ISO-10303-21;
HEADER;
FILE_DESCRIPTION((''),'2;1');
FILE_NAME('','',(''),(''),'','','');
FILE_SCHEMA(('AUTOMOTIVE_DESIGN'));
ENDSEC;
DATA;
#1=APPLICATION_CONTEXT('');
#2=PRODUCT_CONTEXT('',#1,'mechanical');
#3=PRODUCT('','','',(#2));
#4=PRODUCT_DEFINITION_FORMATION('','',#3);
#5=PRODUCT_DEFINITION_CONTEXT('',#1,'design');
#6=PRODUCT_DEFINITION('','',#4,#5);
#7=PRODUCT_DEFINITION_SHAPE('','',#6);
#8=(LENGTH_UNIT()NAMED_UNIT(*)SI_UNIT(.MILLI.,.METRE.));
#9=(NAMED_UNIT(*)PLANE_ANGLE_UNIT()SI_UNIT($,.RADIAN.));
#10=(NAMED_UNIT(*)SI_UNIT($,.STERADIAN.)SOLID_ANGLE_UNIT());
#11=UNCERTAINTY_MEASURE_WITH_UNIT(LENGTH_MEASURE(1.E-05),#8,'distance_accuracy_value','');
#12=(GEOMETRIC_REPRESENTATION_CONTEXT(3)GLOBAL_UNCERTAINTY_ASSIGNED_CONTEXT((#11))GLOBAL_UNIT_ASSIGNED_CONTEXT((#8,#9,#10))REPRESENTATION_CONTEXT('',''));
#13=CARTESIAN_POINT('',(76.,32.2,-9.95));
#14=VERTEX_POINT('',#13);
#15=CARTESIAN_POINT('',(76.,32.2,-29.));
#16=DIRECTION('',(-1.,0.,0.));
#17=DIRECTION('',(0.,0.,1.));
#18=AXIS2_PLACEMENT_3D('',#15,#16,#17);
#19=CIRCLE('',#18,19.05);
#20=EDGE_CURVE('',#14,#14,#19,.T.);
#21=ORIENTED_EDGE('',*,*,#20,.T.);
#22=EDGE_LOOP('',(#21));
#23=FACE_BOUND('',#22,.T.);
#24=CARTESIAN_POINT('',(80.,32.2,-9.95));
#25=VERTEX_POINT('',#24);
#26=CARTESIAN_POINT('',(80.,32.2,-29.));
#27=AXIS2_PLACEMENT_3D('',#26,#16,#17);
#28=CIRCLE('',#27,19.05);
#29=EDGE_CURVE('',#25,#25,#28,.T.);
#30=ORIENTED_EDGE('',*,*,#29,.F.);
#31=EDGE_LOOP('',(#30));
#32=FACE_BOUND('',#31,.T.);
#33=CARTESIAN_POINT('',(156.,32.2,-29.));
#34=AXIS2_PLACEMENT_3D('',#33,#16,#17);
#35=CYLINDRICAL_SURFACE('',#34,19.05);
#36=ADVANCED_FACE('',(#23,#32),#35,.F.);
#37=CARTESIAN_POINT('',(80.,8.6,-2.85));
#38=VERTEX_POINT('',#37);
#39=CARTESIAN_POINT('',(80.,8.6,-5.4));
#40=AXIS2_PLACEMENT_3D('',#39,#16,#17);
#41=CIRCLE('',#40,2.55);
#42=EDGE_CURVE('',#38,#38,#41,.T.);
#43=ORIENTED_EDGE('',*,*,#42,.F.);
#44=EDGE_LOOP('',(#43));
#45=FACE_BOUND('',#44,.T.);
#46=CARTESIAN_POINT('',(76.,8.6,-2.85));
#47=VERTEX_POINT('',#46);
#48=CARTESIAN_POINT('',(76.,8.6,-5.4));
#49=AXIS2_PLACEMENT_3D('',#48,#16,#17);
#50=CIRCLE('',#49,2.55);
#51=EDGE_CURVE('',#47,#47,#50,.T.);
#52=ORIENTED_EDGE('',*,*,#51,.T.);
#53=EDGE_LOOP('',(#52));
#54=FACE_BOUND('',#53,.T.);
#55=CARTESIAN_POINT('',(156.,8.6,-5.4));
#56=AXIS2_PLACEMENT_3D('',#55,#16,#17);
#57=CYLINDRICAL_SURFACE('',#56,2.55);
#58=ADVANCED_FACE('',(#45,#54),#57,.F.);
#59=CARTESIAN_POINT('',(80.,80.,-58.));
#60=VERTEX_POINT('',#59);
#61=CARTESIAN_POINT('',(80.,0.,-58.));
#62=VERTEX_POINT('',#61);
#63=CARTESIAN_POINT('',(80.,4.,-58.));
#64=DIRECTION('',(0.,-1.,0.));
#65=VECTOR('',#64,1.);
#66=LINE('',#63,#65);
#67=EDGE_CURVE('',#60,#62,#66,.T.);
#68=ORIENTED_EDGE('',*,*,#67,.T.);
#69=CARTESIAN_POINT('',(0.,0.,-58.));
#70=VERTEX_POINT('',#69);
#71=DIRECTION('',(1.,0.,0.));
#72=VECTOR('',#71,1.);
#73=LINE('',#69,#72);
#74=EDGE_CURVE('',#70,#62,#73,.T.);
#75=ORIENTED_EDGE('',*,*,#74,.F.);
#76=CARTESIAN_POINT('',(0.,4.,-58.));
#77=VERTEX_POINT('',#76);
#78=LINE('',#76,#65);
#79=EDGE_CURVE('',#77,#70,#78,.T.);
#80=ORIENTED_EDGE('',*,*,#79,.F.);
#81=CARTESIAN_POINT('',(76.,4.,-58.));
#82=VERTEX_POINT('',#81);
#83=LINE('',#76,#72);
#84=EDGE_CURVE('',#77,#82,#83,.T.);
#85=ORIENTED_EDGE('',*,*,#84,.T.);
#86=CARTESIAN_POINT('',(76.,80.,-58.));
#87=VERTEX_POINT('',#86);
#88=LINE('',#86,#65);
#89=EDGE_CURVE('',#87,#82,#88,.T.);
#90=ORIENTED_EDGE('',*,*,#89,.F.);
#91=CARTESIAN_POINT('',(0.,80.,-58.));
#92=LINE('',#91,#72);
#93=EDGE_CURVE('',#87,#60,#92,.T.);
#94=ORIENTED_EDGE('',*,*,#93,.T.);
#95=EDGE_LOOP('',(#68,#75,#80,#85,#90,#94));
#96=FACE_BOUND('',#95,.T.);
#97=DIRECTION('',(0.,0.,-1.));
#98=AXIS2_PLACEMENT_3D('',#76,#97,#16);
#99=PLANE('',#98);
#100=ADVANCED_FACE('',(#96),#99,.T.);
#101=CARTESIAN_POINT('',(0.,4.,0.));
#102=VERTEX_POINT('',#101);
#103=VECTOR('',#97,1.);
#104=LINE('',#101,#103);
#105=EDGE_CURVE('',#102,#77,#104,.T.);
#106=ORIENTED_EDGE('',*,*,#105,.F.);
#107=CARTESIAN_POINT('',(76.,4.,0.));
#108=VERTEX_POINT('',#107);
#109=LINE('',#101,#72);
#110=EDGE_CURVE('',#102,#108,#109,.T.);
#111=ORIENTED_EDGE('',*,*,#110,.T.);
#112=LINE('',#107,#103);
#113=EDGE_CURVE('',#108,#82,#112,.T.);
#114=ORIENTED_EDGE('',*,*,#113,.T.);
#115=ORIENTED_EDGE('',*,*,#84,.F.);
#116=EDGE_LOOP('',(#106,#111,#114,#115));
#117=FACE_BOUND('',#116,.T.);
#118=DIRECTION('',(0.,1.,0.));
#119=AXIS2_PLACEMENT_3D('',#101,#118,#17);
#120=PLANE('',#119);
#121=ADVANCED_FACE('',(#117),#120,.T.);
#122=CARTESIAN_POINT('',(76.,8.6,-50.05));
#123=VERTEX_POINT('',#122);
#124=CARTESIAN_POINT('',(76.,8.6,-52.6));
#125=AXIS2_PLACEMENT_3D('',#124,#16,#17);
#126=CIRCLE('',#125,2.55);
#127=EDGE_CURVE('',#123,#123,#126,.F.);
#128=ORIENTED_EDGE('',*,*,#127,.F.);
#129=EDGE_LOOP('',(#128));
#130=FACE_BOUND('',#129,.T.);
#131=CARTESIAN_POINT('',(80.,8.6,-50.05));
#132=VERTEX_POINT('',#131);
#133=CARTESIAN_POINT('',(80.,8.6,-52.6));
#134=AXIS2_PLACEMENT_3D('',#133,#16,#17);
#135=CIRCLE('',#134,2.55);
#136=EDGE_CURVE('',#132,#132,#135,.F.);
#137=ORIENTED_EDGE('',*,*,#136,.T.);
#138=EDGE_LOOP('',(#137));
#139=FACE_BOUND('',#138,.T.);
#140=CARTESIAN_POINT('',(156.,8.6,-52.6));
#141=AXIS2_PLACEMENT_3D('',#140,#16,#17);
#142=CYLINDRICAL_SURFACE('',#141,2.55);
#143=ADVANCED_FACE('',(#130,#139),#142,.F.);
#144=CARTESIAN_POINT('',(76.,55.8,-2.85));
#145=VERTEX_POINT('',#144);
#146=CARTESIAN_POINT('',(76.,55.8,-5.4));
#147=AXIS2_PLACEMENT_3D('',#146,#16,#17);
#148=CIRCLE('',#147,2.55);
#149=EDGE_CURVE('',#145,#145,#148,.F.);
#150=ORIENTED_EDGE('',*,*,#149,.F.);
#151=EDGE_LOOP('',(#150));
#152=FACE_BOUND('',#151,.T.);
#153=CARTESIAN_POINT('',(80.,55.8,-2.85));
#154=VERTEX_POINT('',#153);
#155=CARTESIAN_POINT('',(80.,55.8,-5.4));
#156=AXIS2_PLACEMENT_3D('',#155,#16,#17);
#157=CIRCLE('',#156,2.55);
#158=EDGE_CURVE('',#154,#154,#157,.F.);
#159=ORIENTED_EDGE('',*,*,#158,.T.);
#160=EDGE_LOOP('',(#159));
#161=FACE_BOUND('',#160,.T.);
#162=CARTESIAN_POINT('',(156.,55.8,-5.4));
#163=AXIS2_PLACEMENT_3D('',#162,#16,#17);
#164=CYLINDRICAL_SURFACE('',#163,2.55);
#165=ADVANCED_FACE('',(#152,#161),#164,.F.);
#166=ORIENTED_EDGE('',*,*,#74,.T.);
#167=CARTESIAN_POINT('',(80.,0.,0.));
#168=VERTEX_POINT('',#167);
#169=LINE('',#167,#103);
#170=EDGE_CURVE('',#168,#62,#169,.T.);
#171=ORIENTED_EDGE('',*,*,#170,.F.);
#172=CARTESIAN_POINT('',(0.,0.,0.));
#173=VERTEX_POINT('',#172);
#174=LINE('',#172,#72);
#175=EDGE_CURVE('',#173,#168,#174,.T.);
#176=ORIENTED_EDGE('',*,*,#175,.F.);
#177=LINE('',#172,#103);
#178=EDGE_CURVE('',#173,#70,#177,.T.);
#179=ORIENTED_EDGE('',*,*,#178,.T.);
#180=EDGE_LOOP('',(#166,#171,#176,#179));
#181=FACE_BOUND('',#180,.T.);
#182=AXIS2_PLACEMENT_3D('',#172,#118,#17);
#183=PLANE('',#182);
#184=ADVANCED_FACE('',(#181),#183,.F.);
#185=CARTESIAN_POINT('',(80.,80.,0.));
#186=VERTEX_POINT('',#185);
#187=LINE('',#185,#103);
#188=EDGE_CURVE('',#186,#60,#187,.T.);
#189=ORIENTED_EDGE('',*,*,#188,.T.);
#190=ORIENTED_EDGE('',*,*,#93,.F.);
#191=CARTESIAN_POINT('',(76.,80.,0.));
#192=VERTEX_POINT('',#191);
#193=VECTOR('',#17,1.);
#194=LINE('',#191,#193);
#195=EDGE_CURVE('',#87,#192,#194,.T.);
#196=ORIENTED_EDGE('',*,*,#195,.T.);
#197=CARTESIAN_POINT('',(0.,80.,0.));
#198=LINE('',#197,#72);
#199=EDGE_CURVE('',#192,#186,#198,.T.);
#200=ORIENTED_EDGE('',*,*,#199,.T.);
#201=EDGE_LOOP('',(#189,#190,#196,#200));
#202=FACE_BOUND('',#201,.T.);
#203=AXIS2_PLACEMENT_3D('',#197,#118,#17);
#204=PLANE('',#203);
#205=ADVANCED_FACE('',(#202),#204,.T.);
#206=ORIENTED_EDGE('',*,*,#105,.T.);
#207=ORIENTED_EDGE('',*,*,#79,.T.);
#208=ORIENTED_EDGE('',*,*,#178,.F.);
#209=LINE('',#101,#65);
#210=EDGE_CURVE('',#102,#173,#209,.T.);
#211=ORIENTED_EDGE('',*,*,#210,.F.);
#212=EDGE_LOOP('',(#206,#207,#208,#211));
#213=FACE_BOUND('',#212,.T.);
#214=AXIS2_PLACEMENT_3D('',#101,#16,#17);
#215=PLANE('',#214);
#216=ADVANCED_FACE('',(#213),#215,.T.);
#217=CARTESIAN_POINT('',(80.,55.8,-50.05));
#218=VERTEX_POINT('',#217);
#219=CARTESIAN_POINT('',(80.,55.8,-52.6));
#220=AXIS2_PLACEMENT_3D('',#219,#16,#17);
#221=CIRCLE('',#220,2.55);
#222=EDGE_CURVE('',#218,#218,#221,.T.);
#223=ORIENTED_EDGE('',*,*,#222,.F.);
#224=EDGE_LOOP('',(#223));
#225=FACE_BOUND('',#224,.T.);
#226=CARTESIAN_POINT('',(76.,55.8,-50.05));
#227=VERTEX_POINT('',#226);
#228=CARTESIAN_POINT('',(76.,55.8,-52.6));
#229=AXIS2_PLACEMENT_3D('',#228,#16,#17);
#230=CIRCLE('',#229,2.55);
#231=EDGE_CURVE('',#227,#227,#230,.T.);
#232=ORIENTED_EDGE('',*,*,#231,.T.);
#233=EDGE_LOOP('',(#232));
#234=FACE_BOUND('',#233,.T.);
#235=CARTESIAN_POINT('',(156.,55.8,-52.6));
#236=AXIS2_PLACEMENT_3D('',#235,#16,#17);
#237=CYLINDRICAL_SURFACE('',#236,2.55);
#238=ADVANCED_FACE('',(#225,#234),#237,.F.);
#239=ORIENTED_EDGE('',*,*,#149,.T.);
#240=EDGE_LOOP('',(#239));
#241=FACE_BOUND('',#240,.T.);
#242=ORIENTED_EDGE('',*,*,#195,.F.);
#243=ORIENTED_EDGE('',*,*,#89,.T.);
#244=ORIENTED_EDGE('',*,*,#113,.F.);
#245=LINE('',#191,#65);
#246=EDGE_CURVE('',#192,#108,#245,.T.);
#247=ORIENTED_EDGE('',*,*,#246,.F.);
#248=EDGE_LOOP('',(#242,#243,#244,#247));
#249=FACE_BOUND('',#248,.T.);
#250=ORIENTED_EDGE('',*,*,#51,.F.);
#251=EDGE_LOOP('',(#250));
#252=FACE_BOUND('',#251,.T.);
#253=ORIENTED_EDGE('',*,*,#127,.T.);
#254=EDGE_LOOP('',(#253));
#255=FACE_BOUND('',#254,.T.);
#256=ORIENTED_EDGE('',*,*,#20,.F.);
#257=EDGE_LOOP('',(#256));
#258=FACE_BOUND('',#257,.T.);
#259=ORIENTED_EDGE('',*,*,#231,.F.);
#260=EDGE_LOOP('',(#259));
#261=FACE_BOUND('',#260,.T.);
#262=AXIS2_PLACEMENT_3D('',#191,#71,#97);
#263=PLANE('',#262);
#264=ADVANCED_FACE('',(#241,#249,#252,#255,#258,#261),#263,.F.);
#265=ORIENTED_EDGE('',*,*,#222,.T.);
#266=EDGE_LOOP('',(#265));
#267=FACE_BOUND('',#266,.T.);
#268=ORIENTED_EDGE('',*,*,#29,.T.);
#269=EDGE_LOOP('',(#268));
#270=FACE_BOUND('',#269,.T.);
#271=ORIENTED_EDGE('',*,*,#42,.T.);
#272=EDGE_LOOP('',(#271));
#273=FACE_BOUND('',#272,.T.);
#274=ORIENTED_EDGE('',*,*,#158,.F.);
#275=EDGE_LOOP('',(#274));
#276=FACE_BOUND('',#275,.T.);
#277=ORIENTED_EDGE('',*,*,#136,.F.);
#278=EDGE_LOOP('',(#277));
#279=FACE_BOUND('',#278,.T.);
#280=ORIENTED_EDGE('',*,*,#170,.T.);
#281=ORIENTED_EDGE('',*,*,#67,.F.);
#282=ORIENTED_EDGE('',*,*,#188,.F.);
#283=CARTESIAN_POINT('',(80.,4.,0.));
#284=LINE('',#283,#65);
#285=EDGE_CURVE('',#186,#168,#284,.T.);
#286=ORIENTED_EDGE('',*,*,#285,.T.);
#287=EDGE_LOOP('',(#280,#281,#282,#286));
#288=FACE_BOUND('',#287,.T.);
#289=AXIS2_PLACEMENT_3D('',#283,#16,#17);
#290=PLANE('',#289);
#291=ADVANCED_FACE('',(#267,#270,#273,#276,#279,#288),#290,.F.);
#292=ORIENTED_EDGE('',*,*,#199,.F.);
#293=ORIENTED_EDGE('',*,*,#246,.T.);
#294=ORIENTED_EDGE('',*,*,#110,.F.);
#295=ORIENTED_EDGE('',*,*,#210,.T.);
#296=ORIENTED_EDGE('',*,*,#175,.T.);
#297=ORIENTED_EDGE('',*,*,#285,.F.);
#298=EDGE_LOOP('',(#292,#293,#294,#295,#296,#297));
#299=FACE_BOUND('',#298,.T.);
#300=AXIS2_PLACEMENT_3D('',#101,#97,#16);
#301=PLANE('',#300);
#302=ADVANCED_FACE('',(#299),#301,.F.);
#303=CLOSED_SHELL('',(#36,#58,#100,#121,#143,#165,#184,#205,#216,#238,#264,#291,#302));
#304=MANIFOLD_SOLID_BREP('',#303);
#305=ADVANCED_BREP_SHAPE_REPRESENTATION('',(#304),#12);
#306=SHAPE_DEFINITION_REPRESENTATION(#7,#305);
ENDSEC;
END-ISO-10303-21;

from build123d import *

# Parameters (mm, degrees)
SKETCH1_W           = 80
SKETCH1_H           = 58
BOSS_EXTRUDE1_DEPTH = 4
SKETCH1_3_W         = 4
SKETCH1_3_H         = 58
BOSS_EXTRUDE2_DEPTH = 80
SKETCH3_R           = 2.55
SKETCH3_R_2         = 19.05
CUT_EXTRUDE1_DEPTH  = 80


with BuildPart() as part:
    # Sketch1 → Boss-Extrude1 (new body)
    with BuildSketch(Plane(origin=(0, 0, 0), x_dir=(1, 0, 0), z_dir=(0, 1, 0))):
        with Locations((40, 29)):
            Rectangle(SKETCH1_W, SKETCH1_H)
    extrude(amount=BOSS_EXTRUDE1_DEPTH)

    # Sketch1<3> → Boss-Extrude2 (add)
    with BuildSketch(Plane(origin=(0, 0, 0), x_dir=(1, 0, 0), z_dir=(0, 1, 0))):
        with Locations((78, 29)):
            Rectangle(SKETCH1_3_W, SKETCH1_3_H)
    extrude(amount=BOSS_EXTRUDE2_DEPTH)

    # Sketch3 → Cut-Extrude1 (cut)
    with BuildSketch(Plane.ZY.offset(-76)):
        with Locations((-52.6, 55.8)):
            Circle(SKETCH3_R)
        with Locations((-5.4, 55.8)):
            Circle(SKETCH3_R)
        with Locations((-52.6, 8.6)):
            Circle(SKETCH3_R)
        with Locations((-5.4, 8.6)):
            Circle(SKETCH3_R)
        with Locations((-29, 32.2)):
            Circle(SKETCH3_R_2)
    extrude(amount=-CUT_EXTRUDE1_DEPTH, mode=Mode.SUBTRACT)


solid = part.part
